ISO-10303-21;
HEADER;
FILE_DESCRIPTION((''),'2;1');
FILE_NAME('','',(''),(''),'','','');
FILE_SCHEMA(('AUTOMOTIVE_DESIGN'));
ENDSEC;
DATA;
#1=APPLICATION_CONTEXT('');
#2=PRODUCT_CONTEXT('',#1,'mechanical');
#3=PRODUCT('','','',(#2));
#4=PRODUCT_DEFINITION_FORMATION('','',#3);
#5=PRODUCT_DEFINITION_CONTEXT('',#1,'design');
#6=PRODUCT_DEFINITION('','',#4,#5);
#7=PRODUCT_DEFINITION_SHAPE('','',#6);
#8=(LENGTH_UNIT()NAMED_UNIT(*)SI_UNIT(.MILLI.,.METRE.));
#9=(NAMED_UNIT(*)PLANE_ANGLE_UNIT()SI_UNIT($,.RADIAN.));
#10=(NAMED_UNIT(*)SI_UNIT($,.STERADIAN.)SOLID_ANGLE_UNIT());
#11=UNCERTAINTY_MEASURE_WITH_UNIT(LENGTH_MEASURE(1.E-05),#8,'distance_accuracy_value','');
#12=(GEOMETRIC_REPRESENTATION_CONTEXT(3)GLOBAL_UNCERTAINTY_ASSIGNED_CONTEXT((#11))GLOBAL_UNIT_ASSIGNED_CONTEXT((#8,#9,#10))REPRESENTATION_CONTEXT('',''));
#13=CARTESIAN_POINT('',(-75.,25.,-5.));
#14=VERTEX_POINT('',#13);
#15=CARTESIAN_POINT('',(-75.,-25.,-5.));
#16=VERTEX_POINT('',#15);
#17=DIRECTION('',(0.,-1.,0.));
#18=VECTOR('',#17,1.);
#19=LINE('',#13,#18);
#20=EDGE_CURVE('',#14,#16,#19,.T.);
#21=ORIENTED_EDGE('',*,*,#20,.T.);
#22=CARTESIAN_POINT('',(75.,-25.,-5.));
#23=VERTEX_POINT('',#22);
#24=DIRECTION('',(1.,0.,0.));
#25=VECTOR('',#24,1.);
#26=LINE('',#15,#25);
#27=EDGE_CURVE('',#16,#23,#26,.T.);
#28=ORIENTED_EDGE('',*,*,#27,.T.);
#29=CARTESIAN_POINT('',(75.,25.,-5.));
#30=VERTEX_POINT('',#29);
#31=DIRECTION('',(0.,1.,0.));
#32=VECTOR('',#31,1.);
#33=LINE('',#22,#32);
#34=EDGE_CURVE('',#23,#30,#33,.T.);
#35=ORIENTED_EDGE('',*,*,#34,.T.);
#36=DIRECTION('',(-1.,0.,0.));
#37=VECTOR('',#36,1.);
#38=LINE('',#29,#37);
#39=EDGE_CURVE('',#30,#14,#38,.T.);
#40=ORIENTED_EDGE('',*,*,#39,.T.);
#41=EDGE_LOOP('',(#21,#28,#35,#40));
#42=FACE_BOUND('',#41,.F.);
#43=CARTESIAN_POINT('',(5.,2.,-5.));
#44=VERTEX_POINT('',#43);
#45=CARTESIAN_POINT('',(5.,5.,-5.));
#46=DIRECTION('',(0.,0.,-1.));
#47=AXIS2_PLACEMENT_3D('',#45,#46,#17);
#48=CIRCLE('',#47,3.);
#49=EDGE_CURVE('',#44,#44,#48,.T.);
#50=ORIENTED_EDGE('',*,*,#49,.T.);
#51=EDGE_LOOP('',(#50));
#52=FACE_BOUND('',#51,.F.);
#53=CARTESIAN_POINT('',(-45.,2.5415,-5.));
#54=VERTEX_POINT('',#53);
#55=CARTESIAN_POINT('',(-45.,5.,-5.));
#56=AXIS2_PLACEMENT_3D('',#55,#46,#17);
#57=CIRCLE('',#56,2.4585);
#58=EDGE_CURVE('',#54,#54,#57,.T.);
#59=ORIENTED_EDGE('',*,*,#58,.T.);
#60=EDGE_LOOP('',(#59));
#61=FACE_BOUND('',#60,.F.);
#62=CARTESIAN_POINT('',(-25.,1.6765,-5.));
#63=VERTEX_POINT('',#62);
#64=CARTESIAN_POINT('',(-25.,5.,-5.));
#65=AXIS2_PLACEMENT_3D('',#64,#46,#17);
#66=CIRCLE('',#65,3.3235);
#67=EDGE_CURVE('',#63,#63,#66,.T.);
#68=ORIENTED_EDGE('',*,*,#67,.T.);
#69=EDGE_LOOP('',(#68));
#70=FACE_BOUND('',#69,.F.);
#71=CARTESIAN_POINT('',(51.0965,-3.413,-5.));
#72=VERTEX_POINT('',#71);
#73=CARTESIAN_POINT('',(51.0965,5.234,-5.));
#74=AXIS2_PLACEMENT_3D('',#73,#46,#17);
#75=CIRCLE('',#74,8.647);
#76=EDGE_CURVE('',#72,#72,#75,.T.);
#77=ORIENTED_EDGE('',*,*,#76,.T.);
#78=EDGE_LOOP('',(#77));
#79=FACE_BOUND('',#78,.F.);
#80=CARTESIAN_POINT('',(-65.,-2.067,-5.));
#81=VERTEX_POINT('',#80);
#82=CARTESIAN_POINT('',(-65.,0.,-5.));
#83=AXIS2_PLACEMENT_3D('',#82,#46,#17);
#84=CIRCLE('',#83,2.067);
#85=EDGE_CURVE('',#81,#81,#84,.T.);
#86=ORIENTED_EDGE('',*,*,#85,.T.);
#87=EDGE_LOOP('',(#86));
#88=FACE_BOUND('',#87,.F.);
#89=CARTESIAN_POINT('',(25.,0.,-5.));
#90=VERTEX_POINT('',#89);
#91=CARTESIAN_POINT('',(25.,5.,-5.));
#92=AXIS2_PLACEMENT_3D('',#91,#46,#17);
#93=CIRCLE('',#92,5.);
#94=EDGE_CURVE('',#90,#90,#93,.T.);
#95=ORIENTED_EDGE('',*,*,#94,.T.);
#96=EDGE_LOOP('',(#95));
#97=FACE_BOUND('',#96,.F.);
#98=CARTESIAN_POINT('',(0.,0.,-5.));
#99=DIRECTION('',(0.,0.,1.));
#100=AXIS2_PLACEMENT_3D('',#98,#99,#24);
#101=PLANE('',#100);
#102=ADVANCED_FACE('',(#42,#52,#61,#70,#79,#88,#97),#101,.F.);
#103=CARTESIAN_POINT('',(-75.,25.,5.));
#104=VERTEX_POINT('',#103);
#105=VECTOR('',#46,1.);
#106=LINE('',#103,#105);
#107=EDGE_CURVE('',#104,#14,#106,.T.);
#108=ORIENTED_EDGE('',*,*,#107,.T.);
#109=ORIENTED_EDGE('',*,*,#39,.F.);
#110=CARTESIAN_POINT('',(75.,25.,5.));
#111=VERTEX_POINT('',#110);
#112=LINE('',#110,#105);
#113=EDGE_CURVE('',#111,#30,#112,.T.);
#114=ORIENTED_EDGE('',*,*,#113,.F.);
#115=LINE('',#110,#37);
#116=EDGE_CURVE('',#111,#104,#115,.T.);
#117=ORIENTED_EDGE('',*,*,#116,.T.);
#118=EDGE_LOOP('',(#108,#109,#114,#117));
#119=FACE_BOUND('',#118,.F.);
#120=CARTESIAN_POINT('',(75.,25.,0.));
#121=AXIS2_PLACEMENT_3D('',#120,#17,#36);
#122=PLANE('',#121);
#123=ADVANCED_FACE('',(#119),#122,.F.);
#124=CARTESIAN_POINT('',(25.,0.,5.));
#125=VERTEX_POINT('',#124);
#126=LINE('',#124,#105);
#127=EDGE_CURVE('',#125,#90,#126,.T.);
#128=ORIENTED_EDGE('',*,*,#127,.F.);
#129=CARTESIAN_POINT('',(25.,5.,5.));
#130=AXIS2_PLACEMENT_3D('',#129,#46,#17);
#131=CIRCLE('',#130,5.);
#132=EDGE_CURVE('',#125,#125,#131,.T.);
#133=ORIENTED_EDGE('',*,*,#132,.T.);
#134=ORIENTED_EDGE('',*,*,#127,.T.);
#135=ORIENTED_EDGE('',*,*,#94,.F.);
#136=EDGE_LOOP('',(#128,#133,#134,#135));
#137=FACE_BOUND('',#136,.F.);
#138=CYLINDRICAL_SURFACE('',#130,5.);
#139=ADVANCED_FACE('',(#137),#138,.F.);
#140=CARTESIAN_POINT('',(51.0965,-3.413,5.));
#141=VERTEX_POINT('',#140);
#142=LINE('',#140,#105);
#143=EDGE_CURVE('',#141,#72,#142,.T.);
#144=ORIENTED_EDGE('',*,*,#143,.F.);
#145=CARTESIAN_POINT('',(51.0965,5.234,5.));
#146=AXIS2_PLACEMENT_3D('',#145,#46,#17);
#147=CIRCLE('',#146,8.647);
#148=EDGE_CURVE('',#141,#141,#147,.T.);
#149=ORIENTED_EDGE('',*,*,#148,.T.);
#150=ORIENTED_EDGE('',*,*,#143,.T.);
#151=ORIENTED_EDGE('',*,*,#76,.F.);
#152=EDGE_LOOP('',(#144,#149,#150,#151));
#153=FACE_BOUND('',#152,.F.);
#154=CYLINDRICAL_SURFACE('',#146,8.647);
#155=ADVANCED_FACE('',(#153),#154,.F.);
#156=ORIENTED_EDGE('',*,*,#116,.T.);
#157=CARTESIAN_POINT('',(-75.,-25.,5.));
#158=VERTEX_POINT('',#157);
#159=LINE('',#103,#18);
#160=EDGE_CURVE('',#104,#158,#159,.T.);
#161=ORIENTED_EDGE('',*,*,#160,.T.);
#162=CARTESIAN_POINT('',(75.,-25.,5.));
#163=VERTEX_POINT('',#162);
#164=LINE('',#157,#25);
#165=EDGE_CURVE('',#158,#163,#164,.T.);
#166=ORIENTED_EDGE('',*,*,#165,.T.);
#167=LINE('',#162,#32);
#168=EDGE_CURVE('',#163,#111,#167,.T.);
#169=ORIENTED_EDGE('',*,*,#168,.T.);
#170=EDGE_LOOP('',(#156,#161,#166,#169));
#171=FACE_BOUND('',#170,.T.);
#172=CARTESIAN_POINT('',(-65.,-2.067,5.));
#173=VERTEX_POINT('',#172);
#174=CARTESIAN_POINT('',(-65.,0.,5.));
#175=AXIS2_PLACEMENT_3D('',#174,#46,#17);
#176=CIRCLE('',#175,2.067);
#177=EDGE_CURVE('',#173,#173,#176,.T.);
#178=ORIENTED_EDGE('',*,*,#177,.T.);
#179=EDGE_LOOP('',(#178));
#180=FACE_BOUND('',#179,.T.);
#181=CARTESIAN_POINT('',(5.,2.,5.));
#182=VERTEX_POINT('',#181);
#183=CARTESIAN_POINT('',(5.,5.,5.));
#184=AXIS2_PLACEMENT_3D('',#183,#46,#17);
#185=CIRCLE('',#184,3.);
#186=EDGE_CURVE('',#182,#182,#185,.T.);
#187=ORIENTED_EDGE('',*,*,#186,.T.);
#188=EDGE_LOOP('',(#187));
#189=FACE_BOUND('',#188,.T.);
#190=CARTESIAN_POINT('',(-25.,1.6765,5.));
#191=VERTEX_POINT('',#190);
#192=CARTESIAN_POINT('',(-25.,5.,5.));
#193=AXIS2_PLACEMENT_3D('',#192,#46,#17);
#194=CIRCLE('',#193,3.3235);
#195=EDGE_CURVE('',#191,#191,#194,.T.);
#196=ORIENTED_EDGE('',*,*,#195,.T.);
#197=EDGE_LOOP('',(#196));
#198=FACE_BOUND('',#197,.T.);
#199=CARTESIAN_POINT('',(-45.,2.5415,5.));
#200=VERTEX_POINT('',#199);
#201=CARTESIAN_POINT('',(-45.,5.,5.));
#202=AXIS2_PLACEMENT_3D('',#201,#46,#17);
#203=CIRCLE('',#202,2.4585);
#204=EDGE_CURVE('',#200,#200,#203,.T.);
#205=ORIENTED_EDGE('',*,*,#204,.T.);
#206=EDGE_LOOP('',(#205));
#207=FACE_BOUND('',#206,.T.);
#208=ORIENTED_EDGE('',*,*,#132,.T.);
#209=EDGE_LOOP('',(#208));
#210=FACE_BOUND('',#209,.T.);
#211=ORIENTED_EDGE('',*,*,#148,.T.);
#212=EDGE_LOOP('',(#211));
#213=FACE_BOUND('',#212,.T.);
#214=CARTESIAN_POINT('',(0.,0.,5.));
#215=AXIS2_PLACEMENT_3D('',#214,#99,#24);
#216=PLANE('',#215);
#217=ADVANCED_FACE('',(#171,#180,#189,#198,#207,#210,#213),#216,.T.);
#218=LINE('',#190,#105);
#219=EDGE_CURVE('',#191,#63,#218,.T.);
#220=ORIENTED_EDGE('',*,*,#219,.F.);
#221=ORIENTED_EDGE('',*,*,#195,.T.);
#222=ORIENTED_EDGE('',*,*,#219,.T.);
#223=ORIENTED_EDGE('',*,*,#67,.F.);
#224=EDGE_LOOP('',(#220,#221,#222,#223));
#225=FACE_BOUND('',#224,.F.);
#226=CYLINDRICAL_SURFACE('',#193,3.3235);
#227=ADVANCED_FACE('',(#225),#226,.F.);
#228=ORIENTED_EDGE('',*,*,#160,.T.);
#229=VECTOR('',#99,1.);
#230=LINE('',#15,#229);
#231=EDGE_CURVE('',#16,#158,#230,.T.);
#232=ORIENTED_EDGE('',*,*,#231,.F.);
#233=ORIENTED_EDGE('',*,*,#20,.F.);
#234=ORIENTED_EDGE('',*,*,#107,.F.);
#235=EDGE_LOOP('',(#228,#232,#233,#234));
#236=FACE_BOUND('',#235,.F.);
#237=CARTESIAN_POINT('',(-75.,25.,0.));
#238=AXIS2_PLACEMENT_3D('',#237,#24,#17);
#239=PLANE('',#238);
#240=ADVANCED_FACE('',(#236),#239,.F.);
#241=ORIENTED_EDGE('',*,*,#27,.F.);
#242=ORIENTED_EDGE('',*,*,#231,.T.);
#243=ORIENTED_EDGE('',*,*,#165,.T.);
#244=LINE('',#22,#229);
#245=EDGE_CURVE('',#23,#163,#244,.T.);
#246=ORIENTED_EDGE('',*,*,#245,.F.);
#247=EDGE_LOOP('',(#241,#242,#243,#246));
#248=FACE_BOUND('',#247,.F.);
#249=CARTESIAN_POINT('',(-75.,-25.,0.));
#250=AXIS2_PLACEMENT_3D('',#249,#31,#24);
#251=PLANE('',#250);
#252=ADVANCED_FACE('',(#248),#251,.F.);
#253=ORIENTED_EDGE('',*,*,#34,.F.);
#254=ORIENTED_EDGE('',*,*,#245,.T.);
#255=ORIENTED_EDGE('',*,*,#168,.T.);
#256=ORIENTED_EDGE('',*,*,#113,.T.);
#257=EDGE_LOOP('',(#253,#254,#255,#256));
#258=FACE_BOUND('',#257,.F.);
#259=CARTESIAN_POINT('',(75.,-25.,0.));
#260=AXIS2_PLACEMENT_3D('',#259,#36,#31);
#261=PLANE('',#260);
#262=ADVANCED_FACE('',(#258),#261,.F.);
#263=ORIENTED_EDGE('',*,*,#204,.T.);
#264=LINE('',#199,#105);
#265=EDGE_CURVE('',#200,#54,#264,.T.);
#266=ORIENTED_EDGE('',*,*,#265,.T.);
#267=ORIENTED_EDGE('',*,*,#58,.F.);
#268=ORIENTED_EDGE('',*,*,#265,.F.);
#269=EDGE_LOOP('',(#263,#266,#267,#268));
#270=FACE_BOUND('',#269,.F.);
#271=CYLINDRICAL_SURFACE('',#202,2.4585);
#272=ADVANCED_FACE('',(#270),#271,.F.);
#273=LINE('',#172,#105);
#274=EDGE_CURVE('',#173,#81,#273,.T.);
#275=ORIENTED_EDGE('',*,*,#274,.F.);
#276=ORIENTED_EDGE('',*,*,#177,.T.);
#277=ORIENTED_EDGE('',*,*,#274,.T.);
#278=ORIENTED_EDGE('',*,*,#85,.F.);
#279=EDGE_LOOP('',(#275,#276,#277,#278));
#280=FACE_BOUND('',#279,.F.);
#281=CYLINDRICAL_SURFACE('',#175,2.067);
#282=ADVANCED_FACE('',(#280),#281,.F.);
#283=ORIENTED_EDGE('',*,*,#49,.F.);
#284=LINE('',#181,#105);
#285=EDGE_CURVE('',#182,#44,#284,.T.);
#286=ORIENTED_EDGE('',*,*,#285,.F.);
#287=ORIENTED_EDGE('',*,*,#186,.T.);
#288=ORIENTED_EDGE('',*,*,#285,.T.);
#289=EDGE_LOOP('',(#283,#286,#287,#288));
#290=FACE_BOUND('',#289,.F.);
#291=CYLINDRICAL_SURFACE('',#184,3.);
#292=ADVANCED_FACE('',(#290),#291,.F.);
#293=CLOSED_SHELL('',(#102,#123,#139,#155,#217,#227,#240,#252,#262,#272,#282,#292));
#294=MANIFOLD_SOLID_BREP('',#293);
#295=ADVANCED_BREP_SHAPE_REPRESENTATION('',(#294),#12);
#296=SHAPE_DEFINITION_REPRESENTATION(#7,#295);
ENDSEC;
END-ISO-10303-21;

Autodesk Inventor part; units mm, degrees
ref_plane "YZ Plane" through (0, 0, 0) normal (1, 0, 0) x (0, 1, 0)
ref_plane "XZ Plane" through (0, 0, 0) normal (0, 1, 0) x (-1, 0, 0)
ref_plane "XY Plane" through (0, 0, 0) normal (0, 0, 1) x (1, 0, 0)
sketch "Sketch2" plane through (0, 0, 0) normal (0, 0, 1) x (1, 0, 0)
  line L0 (-75, -25) -> (75, -25)
  line L1 (75, -25) -> (75, 25)
  line L2 (75, 25) -> (-75, 25)
  line L3 (-75, 25) -> (-75, -25)
  line L4 (-75, -25) -> (75, 25) construction
  line L5 (75, -25) -> (-75, 25) construction
  point P0 (0, 0)
  dimension "d1" = 150
  dimension "d2" = 50
extrude "Extrusion1" add sketch "Sketch2" along normal mid plane 10
sketch "Sketch3" plane through (0, 0, 5) normal (0, 0, 1) x (1, 0, 0)
  line L0 (-75, 25) -> (-75, -25) projected
  line L1 (75, 25) -> (-75, 25) projected
  point P0 (0, 0)
  point P1 (-65, 0)
  dimension "d40" = 10
  dimension "d43" = 25
hole "Hole1" at (-65, 0, 5) direction (0, 0, -1) diameter 4.134 depth 14.2 tip angle 118 thread size "M5x0.8" class "6H" standard "TS profile"
sketch "Sketch4" plane through (0, 0, 5) normal (0, 0, 1) x (1, 0, 0)
  line L0 (-75, 25) -> (-75, -25) projected
  line L1 (75, 25) -> (-75, 25) projected
  point P0 (0, 0)
  point P1 (-45, 5)
  dimension "d41" = 30
  dimension "d42" = 20
hole "Hole2" at (-45, 5, 5) direction (0, 0, -1) diameter 4.917 depth 17.1 tip angle 118 thread size "M6x1" class "6H" standard "TS profile"
sketch "Sketch5" plane through (0, 0, 5) normal (0, 0, 1) x (1, 0, 0)
  line L0 (-75, 25) -> (-75, -25) projected
  line L1 (75, 25) -> (-75, 25) projected
  point P0 (0, 0)
  point P1 (-25, 5)
  dimension "d44" = 50
  dimension "d45" = 20
hole "Hole3" at (-25, 5, 5) direction (0, 0, -1) diameter 6.647 depth 22.2 tip angle 118 thread size "M8x1.25" class "6H" standard "TS profile"
sketch "Sketch6" plane through (0, 0, 5) normal (0, 0, 1) x (1, 0, 0)
  line L0 (-75, 25) -> (-75, -25) projected
  line L1 (75, 25) -> (-75, 25) projected
  point P0 (0, 0)
  point P1 (5, 5)
  dimension "d46" = 80
  dimension "d47" = 20
hole "Hole4" at (5, 5, 5) direction (0, 0, -1) diameter 6 depth 14.2 tip angle 118
sketch "Sketch7" plane through (0, 0, 5) normal (0, 0, 1) x (1, 0, 0)
  line L0 (-75, 25) -> (-75, -25) projected
  line L1 (75, 25) -> (-75, 25) projected
  point P0 (0, 0)
  point P1 (25, 5)
  dimension "d48" = 100
  dimension "d49" = 20
hole "Hole5" at (25, 5, 5) direction (0, 0, -1) diameter 10 depth 14.2 tip angle 118
sketch "Sketch8" plane through (0, 0, 5) normal (0, 0, 1) x (1, 0, 0)
  point P0 (0, 0)
  point P1 (51.0965, 5.234)
hole "Hole6" at (51.0965, 5.234, 5) direction (0, 0, -1) diameter 17.294 depth 51.2 tip angle 118 thread size "M20x2.5" class "6H" standard "TS profile"
properties part number "홀간 거리 확인 파트-2" material "SS400"
